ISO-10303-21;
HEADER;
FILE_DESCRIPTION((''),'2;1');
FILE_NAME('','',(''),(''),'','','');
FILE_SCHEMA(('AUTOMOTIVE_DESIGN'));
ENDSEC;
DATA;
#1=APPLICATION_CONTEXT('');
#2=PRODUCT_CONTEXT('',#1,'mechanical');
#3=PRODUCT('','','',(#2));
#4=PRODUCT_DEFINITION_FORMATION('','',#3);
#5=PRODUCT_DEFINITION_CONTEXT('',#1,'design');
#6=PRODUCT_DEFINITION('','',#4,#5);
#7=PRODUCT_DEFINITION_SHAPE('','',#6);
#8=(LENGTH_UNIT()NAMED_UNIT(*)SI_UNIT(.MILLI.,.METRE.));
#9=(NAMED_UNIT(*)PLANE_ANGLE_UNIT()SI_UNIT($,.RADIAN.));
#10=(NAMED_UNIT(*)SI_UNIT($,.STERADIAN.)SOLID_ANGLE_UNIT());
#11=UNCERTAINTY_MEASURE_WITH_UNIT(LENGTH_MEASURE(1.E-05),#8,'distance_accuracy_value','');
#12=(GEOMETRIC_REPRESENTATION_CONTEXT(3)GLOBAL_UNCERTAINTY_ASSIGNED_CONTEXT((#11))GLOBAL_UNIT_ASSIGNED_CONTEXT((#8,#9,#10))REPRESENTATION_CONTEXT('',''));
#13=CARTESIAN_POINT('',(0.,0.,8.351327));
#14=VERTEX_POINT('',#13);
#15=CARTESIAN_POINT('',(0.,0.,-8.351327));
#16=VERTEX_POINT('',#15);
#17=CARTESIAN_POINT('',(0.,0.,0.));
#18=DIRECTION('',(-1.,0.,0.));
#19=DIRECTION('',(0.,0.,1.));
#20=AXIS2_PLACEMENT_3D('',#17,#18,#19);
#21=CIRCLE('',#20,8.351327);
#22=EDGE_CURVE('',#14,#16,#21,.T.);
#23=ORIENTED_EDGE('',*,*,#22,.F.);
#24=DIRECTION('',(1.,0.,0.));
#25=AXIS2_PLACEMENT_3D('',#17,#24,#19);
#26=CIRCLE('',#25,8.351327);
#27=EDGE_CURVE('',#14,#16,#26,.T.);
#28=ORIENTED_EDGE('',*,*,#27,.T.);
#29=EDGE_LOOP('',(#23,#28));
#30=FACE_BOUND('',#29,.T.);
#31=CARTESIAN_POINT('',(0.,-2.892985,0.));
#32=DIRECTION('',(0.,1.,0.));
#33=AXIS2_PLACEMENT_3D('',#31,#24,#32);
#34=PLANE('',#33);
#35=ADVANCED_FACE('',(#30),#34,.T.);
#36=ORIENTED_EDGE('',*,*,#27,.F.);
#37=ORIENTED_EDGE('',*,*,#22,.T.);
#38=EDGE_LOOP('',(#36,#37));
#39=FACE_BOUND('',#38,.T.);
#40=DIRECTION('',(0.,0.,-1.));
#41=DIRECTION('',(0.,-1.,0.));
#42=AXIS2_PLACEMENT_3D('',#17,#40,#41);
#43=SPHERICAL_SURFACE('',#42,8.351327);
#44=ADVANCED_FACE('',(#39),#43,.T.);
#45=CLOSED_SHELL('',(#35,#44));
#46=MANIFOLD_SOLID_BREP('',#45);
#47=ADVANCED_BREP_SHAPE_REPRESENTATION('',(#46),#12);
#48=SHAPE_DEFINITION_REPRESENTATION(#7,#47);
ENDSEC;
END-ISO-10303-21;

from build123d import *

# Parameters (mm, degrees)
F1_ANGLE_BACK = 90
F1_ANGLE      = 180


with BuildPart() as f1:
    # F0 (on Front) → F1 (revolve)
    with BuildSketch(Plane.XZ, mode=Mode.PRIVATE) as f1_sk:
        with BuildLine():
            Line((0, -8.3513273907), (0, 8.3513273907))
            ThreePointArc((0, 8.3513273907), (-8.3513273907, 0), (0, -8.3513273907))
        make_face()
    revolve(f1_sk.sketch.rotate(Axis((0, 0, 0), (0, 0, -1)), -F1_ANGLE_BACK), axis=Axis((0, 0, 0), (0, 0, -1)), revolution_arc=F1_ANGLE)


solid = f1.part
